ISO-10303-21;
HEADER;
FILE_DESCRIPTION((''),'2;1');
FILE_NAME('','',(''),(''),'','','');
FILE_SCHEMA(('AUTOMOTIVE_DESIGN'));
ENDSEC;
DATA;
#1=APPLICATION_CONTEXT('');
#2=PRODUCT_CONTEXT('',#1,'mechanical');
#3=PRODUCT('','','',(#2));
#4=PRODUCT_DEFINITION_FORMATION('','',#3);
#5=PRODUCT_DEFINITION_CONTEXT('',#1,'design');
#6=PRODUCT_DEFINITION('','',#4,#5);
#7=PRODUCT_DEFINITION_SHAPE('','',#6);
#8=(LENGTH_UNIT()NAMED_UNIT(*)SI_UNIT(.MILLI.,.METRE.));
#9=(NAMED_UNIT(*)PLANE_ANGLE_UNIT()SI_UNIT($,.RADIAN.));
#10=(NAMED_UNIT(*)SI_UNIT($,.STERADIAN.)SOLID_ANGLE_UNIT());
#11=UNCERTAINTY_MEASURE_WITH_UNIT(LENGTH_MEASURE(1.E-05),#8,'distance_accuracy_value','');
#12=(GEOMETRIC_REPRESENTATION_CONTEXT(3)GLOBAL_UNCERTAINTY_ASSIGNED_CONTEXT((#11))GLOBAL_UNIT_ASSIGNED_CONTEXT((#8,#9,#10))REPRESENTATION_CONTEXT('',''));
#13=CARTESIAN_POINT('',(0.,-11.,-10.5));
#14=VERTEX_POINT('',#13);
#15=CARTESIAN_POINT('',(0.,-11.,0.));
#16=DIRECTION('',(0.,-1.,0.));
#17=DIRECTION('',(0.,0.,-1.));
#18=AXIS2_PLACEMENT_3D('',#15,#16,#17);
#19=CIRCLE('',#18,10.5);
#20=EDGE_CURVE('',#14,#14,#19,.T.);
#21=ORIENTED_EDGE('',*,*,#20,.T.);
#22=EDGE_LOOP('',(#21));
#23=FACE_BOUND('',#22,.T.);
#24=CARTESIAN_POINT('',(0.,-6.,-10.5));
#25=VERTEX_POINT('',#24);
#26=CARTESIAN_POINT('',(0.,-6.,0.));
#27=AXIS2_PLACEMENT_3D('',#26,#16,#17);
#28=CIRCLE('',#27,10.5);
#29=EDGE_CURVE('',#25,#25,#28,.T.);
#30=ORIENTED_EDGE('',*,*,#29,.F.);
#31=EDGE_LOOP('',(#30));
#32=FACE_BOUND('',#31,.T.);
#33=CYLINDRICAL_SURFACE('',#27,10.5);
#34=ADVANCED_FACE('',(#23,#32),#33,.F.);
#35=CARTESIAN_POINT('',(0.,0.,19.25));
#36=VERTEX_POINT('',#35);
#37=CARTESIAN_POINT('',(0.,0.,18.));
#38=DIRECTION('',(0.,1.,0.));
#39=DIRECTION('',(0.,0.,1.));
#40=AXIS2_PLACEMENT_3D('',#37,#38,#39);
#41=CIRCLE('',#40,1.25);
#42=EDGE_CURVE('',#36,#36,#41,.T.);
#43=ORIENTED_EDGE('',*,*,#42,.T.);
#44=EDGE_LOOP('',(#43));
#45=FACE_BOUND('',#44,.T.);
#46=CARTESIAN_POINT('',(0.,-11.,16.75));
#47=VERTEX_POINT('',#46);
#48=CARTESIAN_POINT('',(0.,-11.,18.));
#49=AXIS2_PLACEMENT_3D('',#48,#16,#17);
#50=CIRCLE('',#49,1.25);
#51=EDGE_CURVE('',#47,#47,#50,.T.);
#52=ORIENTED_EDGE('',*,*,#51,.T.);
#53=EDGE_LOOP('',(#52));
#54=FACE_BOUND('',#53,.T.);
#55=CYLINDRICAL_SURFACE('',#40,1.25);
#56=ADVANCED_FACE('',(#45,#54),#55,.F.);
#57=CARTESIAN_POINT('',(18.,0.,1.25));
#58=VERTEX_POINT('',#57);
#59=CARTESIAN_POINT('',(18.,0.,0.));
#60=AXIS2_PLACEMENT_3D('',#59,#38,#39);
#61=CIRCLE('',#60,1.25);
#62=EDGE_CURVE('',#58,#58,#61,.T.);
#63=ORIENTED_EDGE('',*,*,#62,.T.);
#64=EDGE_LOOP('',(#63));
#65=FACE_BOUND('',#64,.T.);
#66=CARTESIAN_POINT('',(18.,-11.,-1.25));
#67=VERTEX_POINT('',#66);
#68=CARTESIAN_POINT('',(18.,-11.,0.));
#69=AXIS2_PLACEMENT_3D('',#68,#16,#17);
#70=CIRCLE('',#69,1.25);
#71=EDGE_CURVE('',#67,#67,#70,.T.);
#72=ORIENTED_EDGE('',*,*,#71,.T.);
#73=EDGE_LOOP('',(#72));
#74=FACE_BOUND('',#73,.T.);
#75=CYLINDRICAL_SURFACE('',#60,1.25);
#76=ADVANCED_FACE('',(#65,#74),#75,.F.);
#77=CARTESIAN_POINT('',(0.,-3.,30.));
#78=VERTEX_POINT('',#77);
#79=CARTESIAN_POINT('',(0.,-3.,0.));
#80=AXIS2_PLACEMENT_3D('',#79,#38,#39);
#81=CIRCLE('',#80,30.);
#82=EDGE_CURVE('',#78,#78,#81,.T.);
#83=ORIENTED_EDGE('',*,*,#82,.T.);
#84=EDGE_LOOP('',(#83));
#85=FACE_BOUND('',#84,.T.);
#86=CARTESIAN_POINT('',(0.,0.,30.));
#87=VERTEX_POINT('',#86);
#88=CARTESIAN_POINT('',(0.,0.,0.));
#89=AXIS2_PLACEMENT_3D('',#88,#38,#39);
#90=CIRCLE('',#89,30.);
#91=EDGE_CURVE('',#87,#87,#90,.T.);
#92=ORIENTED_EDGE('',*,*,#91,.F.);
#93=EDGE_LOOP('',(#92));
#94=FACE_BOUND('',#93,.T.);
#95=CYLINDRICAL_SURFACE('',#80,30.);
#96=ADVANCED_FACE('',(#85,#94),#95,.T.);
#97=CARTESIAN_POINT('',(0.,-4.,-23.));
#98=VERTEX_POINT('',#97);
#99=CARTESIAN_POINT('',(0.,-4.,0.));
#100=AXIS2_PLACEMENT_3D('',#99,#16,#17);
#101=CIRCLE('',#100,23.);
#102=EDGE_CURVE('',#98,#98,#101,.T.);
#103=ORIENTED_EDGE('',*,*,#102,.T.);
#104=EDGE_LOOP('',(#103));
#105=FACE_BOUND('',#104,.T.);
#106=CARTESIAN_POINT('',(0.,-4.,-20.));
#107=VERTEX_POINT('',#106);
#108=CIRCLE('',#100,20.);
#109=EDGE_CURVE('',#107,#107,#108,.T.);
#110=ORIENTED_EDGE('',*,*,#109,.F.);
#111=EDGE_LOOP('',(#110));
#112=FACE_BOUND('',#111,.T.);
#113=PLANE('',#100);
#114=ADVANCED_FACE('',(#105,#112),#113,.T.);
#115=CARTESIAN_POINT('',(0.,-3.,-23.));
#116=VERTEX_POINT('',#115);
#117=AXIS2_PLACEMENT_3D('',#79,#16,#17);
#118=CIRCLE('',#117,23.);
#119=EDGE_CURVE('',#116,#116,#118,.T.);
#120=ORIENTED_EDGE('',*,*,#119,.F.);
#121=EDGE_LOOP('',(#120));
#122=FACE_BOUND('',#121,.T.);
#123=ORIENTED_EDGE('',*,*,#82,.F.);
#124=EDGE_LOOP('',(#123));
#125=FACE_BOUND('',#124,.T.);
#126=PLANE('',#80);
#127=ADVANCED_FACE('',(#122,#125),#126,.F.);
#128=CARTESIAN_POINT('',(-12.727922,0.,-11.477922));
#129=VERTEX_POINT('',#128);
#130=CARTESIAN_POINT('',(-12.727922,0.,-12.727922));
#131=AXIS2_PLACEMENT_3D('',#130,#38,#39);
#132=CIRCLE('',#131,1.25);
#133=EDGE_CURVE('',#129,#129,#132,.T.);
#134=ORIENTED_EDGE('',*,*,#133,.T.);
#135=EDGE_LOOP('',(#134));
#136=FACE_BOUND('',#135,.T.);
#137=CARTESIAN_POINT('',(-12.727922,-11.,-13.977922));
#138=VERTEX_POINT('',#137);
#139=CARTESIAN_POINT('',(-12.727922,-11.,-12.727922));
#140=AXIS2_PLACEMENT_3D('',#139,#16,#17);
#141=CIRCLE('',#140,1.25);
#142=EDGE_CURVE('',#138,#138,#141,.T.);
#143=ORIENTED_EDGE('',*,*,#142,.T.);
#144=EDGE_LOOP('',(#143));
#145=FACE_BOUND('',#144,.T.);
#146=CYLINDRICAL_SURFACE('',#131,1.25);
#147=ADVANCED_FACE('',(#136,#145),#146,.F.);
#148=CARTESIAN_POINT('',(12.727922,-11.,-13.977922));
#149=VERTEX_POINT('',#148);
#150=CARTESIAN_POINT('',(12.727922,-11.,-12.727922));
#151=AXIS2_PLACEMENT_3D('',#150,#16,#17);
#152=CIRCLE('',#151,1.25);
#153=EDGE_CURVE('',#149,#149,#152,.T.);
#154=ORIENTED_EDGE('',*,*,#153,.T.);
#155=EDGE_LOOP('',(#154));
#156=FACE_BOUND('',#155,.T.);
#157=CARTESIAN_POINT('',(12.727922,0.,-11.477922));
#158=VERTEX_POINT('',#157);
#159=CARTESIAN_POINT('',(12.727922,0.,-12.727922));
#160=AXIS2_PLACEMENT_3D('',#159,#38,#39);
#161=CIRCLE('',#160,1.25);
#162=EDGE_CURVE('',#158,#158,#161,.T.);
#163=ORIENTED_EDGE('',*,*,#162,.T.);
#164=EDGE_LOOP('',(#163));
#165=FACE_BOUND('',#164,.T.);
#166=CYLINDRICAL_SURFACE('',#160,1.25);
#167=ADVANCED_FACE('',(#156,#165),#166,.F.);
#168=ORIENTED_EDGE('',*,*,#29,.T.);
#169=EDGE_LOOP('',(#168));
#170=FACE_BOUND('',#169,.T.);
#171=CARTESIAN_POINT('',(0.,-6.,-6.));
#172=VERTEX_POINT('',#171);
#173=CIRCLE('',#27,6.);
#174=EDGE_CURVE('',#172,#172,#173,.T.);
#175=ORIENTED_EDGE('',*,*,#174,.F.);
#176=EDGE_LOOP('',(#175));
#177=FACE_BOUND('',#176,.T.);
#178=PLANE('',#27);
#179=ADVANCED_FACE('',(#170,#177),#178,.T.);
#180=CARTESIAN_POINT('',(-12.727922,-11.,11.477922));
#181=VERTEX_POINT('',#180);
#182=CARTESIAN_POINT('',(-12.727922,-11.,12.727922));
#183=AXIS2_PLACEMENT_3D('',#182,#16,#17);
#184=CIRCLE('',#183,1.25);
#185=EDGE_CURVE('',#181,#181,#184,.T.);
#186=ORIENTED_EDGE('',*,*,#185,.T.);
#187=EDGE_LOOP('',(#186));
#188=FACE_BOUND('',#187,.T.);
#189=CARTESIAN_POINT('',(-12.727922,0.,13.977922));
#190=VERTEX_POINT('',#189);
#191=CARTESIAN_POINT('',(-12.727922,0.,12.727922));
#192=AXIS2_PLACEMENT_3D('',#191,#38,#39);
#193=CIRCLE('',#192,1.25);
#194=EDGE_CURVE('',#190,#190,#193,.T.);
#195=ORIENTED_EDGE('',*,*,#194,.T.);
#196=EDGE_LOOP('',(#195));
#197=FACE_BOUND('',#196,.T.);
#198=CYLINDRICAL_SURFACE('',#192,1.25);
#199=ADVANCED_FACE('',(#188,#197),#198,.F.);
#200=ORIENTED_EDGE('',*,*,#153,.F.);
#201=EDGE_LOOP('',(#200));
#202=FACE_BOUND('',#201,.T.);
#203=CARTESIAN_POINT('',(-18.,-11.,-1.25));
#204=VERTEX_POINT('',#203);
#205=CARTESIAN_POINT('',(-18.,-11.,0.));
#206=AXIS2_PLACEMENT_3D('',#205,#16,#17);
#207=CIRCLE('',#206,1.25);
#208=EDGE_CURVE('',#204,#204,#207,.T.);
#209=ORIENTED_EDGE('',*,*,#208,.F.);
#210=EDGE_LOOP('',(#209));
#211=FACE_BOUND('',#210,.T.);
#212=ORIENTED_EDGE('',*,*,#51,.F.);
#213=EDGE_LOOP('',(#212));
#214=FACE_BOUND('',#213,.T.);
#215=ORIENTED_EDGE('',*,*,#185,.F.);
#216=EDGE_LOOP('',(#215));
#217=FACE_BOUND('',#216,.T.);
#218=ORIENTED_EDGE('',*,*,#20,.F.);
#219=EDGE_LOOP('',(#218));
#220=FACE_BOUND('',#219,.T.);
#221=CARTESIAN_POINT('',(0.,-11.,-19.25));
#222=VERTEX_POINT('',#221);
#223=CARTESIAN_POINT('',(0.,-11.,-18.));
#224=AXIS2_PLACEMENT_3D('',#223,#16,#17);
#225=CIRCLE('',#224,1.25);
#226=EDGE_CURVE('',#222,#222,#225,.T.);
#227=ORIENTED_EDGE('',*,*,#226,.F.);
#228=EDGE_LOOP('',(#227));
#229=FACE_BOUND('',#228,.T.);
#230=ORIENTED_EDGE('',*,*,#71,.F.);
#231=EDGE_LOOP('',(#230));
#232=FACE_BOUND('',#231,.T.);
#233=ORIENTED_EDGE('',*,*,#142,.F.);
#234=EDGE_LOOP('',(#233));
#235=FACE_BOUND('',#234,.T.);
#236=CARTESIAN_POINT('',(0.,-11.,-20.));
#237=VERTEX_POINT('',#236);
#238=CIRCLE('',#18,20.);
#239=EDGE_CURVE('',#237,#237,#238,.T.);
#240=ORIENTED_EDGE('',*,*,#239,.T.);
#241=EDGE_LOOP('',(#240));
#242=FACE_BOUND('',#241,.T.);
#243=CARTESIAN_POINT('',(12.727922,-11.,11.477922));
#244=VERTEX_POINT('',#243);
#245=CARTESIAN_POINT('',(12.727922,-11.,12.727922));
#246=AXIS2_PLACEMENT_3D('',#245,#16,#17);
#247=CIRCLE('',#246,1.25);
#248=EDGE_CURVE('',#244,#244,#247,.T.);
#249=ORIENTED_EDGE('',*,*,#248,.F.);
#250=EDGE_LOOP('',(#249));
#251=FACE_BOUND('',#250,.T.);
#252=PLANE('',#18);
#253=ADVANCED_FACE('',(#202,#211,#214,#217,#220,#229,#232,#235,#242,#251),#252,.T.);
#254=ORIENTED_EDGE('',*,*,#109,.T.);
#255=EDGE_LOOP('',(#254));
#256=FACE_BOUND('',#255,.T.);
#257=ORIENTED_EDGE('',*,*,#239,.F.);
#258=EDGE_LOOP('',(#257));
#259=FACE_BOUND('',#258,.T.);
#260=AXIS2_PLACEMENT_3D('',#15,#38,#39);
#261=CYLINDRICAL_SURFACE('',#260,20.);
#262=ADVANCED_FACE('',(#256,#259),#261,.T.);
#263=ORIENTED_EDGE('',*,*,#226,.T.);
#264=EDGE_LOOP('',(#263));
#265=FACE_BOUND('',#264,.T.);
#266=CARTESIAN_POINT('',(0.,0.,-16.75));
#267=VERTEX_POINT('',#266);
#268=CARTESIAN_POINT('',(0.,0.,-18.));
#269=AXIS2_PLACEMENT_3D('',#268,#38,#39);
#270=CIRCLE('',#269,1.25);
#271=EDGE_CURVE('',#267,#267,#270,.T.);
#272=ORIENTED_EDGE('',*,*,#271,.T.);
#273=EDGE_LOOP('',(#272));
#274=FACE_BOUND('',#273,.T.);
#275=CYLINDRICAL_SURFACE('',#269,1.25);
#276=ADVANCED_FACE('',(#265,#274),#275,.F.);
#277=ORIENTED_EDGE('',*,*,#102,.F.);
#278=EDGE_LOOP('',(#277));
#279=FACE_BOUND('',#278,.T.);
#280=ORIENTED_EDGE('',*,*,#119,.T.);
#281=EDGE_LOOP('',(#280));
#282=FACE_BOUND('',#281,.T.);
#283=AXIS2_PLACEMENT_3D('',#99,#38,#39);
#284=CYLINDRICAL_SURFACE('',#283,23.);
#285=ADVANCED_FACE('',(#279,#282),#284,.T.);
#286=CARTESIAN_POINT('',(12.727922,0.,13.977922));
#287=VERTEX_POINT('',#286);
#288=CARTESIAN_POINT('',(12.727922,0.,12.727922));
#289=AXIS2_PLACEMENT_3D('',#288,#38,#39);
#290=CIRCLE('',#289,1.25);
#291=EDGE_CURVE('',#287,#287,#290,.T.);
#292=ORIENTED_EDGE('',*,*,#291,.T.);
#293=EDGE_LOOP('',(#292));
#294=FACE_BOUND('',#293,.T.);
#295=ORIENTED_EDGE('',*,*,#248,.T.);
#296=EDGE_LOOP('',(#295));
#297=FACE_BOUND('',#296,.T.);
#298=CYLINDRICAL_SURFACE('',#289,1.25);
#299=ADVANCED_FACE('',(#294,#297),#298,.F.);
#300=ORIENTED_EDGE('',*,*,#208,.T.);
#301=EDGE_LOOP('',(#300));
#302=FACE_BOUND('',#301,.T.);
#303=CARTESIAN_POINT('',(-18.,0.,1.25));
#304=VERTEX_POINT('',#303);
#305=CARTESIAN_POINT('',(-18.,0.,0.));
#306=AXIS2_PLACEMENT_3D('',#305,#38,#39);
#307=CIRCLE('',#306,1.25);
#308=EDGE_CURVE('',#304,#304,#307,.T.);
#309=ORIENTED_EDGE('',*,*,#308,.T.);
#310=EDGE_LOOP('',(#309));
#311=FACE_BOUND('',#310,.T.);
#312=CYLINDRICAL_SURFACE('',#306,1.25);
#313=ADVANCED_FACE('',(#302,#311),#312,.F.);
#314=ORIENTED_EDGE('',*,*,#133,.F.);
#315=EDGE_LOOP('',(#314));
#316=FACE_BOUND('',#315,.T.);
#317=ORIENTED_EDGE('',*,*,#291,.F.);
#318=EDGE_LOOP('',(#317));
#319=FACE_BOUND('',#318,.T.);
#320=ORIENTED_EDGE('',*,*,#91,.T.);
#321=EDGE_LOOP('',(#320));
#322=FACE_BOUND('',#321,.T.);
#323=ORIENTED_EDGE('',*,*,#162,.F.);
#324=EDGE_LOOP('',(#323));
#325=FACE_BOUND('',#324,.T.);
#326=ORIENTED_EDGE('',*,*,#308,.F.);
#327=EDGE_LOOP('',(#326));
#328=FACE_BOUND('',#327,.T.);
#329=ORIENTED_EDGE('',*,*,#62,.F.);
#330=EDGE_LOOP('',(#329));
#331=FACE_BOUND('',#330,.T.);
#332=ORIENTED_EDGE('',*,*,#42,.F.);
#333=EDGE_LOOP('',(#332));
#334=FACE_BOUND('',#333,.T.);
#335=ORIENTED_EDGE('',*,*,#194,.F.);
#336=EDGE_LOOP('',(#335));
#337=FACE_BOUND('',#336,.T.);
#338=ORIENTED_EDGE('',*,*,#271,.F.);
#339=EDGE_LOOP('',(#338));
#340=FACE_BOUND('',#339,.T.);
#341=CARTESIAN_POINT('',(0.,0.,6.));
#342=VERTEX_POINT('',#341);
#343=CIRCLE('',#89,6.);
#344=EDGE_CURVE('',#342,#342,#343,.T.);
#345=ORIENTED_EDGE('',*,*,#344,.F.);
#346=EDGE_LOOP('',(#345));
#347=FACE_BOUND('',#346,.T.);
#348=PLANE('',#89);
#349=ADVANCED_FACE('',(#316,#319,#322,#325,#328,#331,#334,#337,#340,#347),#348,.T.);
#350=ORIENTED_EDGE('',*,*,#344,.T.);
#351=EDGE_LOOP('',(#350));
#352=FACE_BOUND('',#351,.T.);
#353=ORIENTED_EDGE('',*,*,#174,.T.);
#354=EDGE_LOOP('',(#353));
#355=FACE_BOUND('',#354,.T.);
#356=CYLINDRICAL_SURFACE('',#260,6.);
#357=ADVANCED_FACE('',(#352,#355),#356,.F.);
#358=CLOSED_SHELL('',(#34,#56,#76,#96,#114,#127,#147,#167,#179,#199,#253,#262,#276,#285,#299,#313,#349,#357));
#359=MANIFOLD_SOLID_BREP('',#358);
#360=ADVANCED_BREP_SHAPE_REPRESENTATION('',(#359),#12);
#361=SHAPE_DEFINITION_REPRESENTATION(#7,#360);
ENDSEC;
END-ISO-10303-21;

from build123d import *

# Parameters (mm, degrees)
SKETCH1_R             = 30
BOSS_EXTRUDE1_DEPTH   = 3
SKETCH2_R             = 23
BOSS_EXTRUDE2_DEPTH   = 1
SKETCH3_R             = 20
BOSS_EXTRUDE3_DEPTH   = 7
SKETCH12_R            = 10.5
CUT_EXTRUDE1_DEPTH    = 5
SKETCH16_R            = 6
CUT_EXTRUDE2_DEPTH    = 12
M3_TAPPED_HOLE1_D     = 2.5
M3_TAPPED_HOLE1_DEPTH = 29.248924226
M3_TAPPED_HOLE1_TIP   = 0.751075774


with BuildPart() as part:
    # Sketch1 → Boss-Extrude1 (new body)
    with BuildSketch(Plane(origin=(0, 0, 0), x_dir=(1, 0, 0), z_dir=(0, 1, 0))):
        Circle(SKETCH1_R)
    extrude(amount=-BOSS_EXTRUDE1_DEPTH)

    # Sketch2 → Boss-Extrude2 (add)
    with BuildSketch(Plane.XZ.offset(3)):
        Circle(SKETCH2_R)
    extrude(amount=BOSS_EXTRUDE2_DEPTH)

    # Sketch3 → Boss-Extrude3 (add)
    with BuildSketch(Plane.XZ.offset(4)):
        Circle(SKETCH3_R)
    extrude(amount=BOSS_EXTRUDE3_DEPTH)

    # Sketch12 → Cut-Extrude1 (cut)
    with BuildSketch(Plane.XZ.offset(11)):
        Circle(SKETCH12_R)
    extrude(amount=-CUT_EXTRUDE1_DEPTH, mode=Mode.SUBTRACT)

    # Sketch16 → Cut-Extrude2 (cut, through all)
    with BuildSketch(Plane(origin=(0, 0, 0), x_dir=(1, 0, 0), z_dir=(0, 1, 0))):
        Circle(SKETCH16_R)
    extrude(amount=-CUT_EXTRUDE2_DEPTH, mode=Mode.SUBTRACT)

    # M3 Tapped Hole1
    with Locations(Plane(origin=(0, 0, 0), x_dir=(1, 0, 0), z_dir=(0, 1, 0))):
        with Locations((-12.727922061, 12.727922061), (0, 18), (12.727922061, 12.727922061), (18, 0), (12.727922061, -12.727922061), (0, -18), (-12.727922061, -12.727922061), (-18, 0)):
            Hole(M3_TAPPED_HOLE1_D / 2, depth=M3_TAPPED_HOLE1_DEPTH)
            with Locations((0, 0, -(M3_TAPPED_HOLE1_DEPTH + M3_TAPPED_HOLE1_TIP / 2))):  # 118° drill point
                Cone(0, M3_TAPPED_HOLE1_D / 2, M3_TAPPED_HOLE1_TIP, mode=Mode.SUBTRACT)


solid = part.part
